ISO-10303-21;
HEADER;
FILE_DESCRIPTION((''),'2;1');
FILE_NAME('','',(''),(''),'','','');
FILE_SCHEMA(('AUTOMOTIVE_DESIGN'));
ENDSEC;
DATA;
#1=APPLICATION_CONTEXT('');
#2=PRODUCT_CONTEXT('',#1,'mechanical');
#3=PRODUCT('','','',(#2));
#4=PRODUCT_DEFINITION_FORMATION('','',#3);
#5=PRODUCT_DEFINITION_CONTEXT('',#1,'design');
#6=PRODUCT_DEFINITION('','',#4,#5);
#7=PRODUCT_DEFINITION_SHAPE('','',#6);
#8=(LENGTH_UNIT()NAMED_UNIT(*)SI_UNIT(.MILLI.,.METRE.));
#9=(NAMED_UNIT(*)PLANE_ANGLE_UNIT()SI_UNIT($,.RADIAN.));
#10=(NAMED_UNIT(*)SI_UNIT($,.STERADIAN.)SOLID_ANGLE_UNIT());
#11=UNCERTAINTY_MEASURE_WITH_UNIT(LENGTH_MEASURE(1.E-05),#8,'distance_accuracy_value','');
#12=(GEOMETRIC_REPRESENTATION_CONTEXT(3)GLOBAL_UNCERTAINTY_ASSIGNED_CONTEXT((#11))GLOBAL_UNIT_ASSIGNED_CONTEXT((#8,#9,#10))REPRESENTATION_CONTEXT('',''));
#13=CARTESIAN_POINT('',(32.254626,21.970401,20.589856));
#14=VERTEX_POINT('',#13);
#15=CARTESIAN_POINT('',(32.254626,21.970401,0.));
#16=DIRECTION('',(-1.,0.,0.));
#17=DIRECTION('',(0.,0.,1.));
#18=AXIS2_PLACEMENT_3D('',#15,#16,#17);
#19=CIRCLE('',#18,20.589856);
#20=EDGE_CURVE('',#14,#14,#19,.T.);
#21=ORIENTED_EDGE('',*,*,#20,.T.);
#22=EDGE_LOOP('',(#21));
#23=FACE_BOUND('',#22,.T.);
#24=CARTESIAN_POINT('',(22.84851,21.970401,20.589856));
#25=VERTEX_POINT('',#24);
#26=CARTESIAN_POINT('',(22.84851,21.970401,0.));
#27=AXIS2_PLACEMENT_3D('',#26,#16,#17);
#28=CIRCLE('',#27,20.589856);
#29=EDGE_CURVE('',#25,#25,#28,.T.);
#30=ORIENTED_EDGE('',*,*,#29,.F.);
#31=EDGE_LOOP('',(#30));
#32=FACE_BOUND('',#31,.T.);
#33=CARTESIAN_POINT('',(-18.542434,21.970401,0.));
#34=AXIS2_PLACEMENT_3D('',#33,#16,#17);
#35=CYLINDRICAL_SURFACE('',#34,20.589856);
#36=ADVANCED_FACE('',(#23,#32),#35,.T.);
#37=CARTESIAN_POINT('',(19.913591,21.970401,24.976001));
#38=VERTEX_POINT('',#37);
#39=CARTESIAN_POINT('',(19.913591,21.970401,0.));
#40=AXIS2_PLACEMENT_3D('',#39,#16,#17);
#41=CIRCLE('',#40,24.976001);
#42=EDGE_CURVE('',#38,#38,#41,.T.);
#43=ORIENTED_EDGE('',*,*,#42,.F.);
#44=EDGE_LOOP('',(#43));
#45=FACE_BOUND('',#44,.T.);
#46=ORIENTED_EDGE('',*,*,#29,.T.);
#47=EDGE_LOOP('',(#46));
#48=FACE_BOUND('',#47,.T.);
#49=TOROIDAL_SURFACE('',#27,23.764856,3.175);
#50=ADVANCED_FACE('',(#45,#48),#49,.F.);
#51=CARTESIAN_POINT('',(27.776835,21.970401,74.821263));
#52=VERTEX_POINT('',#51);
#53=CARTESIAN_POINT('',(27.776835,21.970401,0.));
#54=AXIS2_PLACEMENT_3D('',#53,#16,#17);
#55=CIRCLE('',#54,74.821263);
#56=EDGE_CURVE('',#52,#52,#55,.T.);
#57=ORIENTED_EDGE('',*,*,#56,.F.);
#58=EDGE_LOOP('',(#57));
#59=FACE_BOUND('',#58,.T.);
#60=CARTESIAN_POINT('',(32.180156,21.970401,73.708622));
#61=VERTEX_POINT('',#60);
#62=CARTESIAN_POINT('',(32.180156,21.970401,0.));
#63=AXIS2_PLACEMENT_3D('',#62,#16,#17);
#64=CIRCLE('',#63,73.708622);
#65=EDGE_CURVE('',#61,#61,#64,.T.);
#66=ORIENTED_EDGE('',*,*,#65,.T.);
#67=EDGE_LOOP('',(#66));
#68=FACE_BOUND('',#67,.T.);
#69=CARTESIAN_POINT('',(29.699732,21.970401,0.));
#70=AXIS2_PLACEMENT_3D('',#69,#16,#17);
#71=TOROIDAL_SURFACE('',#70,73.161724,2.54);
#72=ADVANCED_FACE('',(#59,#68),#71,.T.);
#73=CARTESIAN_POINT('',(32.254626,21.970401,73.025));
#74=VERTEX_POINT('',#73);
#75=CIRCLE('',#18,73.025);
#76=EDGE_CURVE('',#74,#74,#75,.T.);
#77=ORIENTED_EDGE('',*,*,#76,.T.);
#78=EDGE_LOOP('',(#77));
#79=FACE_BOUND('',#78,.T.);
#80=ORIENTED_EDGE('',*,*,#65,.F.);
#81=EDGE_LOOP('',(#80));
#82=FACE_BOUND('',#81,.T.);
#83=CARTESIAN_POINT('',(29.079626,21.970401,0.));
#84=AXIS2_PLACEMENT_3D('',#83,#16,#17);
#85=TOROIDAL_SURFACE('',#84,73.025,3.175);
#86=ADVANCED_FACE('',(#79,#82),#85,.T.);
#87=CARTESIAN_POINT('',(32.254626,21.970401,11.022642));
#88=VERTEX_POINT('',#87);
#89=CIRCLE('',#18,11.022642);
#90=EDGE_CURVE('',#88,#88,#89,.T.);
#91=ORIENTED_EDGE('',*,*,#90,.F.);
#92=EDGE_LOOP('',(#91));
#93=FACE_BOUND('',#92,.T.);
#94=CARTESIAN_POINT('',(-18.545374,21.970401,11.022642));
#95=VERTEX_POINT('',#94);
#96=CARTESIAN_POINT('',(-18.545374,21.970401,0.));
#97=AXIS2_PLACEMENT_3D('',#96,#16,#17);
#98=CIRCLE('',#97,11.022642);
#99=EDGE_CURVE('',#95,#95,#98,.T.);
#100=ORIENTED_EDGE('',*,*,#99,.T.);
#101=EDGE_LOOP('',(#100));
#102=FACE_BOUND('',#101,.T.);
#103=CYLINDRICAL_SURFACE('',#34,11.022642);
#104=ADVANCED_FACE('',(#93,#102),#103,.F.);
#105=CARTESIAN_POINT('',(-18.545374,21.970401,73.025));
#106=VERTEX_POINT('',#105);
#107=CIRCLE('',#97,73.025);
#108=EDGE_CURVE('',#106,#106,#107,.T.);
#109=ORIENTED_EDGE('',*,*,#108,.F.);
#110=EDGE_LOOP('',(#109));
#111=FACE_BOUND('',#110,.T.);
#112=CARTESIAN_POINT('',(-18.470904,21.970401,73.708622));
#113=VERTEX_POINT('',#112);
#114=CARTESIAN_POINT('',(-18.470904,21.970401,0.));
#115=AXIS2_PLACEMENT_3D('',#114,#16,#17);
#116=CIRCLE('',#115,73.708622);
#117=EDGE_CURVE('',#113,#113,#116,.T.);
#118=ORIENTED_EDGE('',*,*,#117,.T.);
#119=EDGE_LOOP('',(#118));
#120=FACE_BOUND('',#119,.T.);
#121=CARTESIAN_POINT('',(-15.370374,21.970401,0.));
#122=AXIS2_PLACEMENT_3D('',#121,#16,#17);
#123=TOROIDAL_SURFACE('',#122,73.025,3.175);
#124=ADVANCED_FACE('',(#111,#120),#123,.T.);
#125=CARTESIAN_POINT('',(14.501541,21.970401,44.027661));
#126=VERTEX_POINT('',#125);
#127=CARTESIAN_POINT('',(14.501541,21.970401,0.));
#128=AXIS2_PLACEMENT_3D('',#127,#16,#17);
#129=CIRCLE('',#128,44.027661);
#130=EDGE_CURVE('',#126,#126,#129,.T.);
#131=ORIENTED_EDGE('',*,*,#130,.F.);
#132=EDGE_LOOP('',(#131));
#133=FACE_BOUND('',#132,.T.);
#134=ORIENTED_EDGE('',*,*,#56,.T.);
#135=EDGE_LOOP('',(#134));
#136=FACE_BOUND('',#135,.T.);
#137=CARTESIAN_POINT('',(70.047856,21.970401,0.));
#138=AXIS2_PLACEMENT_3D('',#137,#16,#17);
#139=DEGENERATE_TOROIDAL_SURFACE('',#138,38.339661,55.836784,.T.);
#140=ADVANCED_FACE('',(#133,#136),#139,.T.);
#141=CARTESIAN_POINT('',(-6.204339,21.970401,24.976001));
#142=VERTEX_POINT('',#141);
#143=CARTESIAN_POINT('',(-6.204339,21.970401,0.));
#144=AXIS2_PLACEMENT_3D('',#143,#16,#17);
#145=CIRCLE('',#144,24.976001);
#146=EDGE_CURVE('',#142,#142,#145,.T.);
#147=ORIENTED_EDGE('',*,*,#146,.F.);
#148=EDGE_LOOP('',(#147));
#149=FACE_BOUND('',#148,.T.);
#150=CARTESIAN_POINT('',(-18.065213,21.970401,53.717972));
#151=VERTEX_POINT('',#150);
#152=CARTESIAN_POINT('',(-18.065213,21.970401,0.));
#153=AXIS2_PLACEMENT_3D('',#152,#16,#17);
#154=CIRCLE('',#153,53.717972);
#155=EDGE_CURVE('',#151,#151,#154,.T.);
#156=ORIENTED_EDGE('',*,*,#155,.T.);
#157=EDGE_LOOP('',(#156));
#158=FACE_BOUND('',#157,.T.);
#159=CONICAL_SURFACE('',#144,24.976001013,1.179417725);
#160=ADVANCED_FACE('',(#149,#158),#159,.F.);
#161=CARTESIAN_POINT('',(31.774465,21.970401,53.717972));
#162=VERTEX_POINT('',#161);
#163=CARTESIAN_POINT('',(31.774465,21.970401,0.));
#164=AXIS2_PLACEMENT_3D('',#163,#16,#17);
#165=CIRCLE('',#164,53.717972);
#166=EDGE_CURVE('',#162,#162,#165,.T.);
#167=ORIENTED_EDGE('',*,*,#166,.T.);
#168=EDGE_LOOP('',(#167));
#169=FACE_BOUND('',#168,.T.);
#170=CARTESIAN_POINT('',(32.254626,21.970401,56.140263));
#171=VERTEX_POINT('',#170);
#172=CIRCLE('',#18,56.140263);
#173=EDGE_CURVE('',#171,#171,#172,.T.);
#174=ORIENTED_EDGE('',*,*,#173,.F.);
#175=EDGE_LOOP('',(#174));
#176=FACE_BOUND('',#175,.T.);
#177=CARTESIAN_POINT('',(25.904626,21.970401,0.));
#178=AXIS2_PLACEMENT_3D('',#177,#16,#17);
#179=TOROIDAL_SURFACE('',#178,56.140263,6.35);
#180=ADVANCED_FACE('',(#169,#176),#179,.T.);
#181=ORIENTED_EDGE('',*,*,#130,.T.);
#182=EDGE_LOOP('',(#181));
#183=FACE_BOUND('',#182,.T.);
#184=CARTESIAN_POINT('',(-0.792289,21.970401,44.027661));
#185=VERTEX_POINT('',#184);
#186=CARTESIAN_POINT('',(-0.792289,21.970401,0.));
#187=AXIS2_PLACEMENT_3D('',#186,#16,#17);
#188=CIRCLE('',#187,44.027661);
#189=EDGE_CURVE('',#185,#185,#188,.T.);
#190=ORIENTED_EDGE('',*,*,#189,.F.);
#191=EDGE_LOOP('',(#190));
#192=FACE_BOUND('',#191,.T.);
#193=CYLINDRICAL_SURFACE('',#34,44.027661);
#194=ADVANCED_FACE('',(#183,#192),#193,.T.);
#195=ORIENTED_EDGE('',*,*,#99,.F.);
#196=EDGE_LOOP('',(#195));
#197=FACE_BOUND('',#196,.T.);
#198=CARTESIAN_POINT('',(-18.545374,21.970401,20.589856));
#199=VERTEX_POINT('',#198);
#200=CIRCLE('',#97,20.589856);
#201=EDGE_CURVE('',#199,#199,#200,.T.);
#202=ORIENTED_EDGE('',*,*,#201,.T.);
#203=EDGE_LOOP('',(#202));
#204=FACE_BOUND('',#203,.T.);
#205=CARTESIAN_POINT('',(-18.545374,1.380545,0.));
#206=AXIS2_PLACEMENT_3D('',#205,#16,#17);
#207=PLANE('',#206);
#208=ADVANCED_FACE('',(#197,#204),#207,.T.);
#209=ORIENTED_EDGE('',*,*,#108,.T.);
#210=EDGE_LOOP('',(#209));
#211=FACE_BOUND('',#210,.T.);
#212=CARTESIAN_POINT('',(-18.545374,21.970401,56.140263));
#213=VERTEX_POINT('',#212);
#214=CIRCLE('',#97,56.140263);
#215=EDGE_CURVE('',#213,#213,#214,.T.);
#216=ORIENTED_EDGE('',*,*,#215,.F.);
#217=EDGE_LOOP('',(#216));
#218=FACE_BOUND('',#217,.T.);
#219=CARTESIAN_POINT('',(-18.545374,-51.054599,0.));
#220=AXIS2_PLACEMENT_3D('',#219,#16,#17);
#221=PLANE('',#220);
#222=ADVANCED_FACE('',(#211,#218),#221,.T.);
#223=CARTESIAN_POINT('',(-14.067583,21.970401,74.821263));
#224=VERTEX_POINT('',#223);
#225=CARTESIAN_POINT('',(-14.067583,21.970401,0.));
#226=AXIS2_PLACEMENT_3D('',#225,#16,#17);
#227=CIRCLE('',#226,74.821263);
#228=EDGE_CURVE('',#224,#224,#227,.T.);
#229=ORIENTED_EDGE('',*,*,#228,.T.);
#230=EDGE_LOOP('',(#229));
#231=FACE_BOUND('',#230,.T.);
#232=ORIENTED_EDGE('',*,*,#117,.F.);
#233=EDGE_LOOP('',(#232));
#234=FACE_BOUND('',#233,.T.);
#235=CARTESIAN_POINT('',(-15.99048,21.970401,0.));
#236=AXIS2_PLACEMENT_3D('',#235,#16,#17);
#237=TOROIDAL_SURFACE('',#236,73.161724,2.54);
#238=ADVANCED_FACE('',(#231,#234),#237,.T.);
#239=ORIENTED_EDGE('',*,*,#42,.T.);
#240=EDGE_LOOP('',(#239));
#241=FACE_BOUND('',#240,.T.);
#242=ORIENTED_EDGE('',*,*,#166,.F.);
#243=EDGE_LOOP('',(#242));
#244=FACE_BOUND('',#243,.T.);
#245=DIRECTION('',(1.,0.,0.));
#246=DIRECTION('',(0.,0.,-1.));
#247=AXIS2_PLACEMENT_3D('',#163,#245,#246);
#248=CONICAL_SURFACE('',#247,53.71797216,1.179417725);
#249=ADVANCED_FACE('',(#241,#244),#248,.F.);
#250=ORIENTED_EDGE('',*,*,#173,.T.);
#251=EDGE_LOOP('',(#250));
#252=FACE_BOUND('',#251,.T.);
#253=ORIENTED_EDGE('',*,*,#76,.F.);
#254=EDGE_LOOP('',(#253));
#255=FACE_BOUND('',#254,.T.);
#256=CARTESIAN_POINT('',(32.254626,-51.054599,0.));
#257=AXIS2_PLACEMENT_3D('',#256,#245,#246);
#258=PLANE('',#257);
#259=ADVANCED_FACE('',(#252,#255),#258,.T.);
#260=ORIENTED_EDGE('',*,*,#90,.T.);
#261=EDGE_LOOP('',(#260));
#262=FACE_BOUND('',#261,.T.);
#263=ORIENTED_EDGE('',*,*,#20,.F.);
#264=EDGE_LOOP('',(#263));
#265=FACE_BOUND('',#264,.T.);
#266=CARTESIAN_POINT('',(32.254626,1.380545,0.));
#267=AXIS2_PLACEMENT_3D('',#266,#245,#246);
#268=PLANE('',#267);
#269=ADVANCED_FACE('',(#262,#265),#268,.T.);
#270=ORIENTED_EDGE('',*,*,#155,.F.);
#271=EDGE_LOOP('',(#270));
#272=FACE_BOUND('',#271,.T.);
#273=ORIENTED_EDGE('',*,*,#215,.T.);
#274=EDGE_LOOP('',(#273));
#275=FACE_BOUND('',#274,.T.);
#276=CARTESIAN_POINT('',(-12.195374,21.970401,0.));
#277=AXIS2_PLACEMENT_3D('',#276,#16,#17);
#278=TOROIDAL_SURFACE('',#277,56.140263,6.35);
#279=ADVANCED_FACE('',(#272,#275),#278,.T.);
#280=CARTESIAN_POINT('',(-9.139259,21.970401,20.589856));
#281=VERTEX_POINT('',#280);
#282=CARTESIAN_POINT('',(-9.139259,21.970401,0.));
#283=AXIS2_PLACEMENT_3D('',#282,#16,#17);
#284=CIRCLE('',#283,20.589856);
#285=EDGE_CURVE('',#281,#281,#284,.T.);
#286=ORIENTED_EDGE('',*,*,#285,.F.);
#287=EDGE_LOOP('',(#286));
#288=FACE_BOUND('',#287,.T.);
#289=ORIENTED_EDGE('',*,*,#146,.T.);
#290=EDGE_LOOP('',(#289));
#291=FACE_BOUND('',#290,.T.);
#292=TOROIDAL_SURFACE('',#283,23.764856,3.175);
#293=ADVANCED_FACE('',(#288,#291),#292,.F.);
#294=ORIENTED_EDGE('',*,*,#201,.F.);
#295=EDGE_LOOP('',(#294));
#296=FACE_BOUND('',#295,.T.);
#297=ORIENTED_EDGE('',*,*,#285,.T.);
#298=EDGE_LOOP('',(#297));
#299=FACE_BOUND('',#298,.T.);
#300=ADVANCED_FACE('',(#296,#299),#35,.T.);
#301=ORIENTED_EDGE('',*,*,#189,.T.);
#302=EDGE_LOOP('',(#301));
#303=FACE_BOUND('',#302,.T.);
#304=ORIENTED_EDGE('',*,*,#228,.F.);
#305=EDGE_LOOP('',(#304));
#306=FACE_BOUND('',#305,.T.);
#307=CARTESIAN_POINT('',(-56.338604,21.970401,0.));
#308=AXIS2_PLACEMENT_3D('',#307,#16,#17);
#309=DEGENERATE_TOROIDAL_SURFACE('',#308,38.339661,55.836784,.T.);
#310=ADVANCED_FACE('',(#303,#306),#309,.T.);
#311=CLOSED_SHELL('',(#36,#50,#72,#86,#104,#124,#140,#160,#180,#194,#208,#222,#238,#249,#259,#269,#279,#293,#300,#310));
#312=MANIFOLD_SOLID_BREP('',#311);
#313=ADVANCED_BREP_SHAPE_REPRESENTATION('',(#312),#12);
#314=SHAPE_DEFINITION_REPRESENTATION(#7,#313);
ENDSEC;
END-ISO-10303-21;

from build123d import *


with BuildPart() as part:
    # Sketch1 → Revolve1 (revolve)
    with BuildSketch(Plane.XY, mode=Mode.PRIVATE) as revolve1_sk:
        with BuildLine():
            Line((-18.54537414, -51.05459908), (-18.54537414, -34.169862124))
            ThreePointArc((-18.54537414, -34.169862124), (-18.424177234, -32.935150814), (-18.065212874, -31.747571217))
            Line((-18.065212874, -31.747571217), (-6.204339256, -3.00560007))
            ThreePointArc((-6.204339256, -3.00560007), (-6.500507799, -0.028776533), (-9.139258623, 1.380545384))
            Line((-9.139258623, 1.380545384), (-18.54537414, 1.380545384))
            Line((-18.54537414, 1.380545384), (-18.54537414, 10.947759434))
            Line((-18.54537414, 10.947759434), (32.25462586, 10.947759434))
            Line((32.25462586, 10.947759434), (32.25462586, 1.380545384))
            Line((32.25462586, 1.380545384), (22.848510342, 1.380545384))
            ThreePointArc((22.848510342, 1.380545384), (20.209759519, -0.028776533), (19.913590976, -3.00560007))
            Line((19.913590976, -3.00560007), (31.774464593, -31.747571217))
            ThreePointArc((31.774464593, -31.747571217), (32.133428953, -32.935150814), (32.25462586, -34.169862124))
            Line((32.25462586, -34.169862124), (32.25462586, -51.05459908))
            ThreePointArc((32.25462586, -51.05459908), (32.235953432, -51.398432266), (32.180155775, -51.738221232))
            ThreePointArc((32.180155775, -51.738221232), (30.321986734, -53.653923529), (27.776834687, -52.850861557))
            ThreePointArc((27.776834687, -52.850861557), (18.772917534, -38.474173066), (14.501540644, -22.057259971))
            Line((14.501540644, -22.057259971), (-0.792288925, -22.057259971))
            ThreePointArc((-0.792288925, -22.057259971), (-5.063665814, -38.474173066), (-14.067582967, -52.850861557))
            ThreePointArc((-14.067582967, -52.850861557), (-16.612735014, -53.653923529), (-18.470904055, -51.738221232))
            ThreePointArc((-18.470904055, -51.738221232), (-18.526701712, -51.398432266), (-18.54537414, -51.05459908))
        make_face()
    revolve(revolve1_sk.sketch.rotate(Axis((-18.542434148, 21.970400943, 0), (1, 0, 0)), 270), axis=Axis((-18.542434148, 21.970400943, 0), (1, 0, 0)))


solid = part.part
